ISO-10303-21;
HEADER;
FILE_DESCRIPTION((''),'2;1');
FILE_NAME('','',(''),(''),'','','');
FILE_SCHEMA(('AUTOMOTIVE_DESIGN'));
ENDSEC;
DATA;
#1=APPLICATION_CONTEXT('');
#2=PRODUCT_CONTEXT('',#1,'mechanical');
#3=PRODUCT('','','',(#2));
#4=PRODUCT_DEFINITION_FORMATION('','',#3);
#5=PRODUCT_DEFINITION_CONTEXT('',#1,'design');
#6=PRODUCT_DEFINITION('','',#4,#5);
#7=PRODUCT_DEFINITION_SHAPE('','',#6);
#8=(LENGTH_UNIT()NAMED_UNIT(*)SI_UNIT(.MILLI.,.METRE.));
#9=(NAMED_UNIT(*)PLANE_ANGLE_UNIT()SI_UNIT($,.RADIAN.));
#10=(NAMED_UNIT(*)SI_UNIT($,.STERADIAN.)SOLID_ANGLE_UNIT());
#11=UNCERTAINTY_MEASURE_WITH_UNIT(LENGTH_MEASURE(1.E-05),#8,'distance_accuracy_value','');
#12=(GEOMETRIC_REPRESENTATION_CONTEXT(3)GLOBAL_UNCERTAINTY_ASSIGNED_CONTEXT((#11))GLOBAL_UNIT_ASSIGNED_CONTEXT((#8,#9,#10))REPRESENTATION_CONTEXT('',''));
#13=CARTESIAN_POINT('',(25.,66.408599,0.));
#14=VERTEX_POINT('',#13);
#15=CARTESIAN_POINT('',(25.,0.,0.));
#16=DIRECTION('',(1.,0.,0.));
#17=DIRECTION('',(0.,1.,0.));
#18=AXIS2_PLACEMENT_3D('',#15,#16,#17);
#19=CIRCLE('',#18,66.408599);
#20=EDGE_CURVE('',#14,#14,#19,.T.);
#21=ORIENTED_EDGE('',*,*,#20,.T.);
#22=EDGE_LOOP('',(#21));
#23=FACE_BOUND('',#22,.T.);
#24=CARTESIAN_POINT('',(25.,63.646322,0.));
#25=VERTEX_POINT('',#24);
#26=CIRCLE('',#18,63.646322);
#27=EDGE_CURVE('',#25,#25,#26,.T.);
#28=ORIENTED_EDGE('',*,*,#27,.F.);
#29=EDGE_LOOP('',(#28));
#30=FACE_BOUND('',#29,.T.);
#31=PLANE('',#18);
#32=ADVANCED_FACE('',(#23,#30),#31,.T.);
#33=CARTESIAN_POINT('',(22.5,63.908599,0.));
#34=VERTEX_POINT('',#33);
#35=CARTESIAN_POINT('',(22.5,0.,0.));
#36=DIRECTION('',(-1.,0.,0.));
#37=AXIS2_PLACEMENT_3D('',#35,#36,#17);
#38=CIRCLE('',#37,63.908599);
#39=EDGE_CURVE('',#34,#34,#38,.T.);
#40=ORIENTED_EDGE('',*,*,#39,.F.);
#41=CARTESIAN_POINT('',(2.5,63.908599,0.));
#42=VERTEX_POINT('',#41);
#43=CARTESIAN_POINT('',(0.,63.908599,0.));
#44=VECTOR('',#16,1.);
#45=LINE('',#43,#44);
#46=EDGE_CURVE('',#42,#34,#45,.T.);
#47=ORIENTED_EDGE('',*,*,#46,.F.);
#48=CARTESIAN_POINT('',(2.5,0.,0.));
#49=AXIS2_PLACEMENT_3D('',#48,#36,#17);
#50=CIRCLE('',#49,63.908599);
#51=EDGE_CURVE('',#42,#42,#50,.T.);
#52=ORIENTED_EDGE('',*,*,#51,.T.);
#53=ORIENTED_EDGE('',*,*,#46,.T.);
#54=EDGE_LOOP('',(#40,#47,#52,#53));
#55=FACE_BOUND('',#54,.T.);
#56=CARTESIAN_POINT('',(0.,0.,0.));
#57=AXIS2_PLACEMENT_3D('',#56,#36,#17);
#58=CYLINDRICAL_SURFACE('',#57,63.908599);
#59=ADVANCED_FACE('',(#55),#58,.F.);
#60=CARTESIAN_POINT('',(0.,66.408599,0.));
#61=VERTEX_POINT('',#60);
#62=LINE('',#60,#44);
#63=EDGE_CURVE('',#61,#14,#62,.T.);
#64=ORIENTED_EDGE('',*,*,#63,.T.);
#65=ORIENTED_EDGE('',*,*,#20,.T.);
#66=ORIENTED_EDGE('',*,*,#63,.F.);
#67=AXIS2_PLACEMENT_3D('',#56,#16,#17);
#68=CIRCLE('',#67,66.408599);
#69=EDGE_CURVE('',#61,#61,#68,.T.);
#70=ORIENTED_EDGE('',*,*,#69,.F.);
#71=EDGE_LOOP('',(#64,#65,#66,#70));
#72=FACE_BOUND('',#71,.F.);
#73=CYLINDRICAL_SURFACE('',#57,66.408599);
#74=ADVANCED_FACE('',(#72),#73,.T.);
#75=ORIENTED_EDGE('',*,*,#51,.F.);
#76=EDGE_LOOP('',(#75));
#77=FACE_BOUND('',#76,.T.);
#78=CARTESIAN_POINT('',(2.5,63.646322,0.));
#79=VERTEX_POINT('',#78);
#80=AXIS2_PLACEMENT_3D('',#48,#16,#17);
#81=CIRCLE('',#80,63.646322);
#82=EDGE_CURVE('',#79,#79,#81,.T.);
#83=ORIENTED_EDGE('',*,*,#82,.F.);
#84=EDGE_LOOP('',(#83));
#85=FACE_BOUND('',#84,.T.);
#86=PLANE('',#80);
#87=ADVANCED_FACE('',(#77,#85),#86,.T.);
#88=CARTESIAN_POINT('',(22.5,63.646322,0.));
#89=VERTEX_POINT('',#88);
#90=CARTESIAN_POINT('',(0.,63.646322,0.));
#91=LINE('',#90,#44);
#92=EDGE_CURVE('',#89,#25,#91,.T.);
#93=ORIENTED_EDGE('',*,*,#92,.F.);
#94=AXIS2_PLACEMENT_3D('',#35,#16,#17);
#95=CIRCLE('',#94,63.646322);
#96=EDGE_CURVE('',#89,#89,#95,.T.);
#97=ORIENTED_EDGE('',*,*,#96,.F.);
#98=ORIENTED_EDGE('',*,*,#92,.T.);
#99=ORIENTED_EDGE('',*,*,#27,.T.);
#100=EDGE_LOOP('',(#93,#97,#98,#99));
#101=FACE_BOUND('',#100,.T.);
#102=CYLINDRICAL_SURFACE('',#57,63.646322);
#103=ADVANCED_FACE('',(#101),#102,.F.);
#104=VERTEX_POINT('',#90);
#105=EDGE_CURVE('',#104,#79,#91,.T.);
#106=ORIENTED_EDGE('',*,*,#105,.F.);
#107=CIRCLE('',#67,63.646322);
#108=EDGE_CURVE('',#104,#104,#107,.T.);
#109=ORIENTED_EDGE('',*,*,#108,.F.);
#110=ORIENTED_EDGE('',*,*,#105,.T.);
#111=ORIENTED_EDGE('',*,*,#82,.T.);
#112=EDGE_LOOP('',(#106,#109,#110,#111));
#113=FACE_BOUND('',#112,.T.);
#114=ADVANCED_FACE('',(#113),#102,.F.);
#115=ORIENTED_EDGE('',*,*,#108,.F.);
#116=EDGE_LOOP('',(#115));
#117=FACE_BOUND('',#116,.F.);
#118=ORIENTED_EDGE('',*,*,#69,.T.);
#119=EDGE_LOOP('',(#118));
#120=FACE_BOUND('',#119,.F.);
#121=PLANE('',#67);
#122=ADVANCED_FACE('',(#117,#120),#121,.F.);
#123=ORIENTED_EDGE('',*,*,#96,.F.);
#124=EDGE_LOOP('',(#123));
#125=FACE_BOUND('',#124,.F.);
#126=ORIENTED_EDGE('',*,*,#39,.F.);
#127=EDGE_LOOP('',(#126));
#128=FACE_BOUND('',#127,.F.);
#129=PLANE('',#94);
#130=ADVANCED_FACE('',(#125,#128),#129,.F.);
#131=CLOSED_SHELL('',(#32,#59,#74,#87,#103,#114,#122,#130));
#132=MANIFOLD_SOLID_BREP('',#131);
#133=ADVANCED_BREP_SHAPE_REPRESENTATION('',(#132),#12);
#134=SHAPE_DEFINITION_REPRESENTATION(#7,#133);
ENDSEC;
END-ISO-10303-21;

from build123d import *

# Parameters (mm, degrees)
F0_R     = 66.408599
F0_R_2   = 63.646322
F1_DEPTH = 25
F2_T     = -2.5


with BuildPart() as f1:
    # F0 (on Right) → F1 (new body)
    with BuildSketch(Plane.YZ):
        Circle(F0_R)
        Circle(F0_R_2, mode=Mode.SUBTRACT)
    extrude(amount=F1_DEPTH)

    # F2
    f2_openings = [f1.faces().sort_by_distance(p)[0] for p in [
        (12.5, -63.646322, 0),
    ]]
    offset(amount=F2_T, openings=f2_openings)


solid = f1.part
